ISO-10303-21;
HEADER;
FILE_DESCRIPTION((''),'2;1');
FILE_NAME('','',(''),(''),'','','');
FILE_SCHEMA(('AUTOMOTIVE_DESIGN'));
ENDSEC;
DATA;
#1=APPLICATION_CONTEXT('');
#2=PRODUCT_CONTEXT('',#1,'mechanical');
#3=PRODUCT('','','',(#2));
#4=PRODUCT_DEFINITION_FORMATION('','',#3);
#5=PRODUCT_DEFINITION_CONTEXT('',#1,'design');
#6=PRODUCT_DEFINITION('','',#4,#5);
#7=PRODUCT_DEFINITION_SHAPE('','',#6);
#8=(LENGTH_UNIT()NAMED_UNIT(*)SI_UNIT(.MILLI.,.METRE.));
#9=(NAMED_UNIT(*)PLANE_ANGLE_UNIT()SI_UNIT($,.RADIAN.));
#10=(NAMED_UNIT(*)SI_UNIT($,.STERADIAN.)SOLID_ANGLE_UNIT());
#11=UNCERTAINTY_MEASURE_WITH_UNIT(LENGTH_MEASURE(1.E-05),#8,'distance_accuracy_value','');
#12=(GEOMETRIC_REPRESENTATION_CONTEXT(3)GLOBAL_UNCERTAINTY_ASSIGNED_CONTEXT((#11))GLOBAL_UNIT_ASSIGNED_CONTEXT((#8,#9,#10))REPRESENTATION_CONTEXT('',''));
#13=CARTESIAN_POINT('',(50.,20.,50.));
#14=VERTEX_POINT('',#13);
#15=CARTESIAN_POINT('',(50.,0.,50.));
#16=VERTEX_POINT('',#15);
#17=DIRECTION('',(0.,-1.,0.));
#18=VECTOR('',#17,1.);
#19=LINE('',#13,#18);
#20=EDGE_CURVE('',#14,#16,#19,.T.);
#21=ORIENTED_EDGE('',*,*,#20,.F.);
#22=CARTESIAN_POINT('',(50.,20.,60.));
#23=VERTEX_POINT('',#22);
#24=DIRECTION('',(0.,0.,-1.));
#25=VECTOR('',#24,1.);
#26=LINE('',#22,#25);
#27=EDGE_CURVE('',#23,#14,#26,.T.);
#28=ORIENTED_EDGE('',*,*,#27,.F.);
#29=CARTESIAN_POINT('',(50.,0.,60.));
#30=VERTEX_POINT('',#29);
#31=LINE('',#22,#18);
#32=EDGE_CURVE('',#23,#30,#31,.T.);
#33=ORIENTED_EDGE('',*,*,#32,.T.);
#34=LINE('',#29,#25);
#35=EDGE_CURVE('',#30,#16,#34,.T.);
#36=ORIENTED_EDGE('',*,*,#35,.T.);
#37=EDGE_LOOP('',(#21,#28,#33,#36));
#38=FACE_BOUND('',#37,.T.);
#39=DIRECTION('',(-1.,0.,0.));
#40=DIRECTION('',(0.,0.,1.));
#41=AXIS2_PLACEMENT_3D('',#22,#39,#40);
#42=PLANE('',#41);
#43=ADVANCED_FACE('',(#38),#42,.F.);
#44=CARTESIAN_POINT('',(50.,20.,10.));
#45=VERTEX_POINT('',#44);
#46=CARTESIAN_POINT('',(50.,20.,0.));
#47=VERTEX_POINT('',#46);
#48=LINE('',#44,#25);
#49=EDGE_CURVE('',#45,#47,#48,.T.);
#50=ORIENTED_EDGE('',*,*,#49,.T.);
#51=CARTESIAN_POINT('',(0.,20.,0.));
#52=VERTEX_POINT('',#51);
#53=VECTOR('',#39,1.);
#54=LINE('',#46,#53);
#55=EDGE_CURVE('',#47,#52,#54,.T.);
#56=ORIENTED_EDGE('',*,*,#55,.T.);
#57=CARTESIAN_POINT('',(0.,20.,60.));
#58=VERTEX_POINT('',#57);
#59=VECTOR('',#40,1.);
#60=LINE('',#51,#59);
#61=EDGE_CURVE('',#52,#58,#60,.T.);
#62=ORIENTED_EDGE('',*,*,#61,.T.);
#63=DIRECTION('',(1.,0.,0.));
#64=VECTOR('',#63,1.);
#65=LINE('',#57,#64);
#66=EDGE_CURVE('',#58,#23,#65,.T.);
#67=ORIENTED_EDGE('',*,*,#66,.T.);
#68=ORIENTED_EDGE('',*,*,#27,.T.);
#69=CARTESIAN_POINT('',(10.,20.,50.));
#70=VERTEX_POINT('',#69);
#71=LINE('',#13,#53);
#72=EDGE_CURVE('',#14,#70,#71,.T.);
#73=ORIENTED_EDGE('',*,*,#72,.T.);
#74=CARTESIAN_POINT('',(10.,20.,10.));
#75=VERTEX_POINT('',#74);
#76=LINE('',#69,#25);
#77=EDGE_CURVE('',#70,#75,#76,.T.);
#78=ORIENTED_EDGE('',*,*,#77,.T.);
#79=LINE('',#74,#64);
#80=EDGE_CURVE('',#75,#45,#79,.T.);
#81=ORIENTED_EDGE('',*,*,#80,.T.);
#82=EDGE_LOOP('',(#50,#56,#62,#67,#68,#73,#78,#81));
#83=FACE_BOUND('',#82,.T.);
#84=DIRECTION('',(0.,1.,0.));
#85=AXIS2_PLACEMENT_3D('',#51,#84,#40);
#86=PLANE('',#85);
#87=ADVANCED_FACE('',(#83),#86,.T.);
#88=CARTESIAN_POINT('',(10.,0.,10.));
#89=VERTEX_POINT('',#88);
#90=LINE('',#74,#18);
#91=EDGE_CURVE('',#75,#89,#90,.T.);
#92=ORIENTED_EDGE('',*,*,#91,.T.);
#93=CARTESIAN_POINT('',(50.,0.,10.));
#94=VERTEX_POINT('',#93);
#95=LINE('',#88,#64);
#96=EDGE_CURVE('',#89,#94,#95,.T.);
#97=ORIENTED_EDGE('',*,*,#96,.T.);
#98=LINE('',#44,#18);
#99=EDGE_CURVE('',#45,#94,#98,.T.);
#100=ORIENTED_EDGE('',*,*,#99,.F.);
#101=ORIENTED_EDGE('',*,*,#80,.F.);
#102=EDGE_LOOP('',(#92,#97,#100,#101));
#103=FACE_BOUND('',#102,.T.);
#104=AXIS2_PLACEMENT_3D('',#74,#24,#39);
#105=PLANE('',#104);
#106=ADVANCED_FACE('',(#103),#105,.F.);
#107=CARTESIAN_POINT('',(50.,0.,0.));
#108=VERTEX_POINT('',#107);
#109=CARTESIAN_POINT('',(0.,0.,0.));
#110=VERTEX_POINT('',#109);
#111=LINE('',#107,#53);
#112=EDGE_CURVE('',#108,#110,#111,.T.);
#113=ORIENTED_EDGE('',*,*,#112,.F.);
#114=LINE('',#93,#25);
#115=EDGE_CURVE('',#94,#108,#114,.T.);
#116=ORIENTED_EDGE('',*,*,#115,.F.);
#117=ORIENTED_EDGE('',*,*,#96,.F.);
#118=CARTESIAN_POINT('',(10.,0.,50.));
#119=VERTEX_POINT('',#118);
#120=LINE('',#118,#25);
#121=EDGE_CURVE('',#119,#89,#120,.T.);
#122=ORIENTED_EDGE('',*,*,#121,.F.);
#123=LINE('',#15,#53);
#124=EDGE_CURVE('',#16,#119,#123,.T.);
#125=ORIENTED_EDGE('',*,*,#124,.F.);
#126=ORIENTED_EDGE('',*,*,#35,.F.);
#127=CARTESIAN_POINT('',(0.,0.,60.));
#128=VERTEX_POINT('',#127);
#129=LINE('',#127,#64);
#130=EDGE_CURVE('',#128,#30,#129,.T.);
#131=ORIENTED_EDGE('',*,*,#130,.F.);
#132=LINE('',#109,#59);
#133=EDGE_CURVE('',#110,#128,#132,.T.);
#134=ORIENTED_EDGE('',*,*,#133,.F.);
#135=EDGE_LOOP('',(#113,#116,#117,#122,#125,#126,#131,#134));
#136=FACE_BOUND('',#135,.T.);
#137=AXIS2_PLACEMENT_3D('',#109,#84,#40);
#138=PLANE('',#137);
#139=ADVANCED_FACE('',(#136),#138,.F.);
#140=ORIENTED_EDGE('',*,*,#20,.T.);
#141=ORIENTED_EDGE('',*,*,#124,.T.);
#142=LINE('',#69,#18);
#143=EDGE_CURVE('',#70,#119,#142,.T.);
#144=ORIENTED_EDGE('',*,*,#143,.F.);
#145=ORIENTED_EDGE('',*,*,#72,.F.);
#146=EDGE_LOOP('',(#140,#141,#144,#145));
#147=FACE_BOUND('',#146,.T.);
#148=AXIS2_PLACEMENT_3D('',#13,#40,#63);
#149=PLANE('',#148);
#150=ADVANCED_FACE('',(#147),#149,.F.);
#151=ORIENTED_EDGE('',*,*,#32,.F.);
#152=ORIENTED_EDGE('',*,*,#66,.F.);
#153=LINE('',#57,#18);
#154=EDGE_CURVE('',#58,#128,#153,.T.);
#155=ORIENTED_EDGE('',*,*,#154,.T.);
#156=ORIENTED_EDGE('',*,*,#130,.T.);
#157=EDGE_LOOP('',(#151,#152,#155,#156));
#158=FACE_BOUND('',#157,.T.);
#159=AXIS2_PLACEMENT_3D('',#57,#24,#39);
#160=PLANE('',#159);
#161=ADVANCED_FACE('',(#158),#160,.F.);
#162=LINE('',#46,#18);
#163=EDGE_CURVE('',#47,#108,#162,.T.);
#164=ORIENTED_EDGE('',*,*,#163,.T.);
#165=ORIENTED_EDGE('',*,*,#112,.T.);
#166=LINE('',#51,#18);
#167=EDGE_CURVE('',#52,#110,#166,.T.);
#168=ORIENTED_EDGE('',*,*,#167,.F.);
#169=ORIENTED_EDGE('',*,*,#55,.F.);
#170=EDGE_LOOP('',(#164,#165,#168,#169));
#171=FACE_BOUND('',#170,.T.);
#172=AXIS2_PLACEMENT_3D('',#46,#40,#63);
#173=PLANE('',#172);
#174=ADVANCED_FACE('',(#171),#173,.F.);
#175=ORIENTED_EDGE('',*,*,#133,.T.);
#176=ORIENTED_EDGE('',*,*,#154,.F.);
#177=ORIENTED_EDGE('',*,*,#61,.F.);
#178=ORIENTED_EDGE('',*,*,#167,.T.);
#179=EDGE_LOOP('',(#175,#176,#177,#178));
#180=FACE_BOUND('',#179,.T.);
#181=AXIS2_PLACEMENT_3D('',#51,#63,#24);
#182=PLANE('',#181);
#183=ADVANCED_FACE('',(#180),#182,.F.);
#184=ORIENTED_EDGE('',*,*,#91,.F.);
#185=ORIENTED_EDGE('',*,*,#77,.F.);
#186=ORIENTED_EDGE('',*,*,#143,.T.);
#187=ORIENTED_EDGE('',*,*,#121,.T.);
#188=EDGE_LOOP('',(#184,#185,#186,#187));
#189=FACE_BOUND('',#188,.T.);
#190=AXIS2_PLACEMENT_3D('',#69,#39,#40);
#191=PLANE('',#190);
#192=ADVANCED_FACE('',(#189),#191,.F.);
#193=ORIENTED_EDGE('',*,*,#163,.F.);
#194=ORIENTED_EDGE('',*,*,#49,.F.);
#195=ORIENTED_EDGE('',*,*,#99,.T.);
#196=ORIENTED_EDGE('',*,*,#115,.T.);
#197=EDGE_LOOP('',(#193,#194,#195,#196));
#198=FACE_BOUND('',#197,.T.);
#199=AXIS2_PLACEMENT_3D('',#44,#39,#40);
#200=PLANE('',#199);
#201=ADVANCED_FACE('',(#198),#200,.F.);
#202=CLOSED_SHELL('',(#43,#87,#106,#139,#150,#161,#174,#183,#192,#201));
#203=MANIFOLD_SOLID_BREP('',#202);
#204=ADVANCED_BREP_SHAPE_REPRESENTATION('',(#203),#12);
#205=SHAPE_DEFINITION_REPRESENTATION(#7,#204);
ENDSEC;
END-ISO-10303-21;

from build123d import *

# Parameters (mm, degrees)
BOSS_EXTRUDE1_DEPTH = 20


with BuildPart() as part:
    # Sketch1 → Boss-Extrude1 (new body)
    with BuildSketch(Plane(origin=(0, 0, 0), x_dir=(1, 0, 0), z_dir=(0, 1, 0))):
        Polygon((0, 0), (0, -60), (50, -60), (50, -50), (10, -50), (10, -10), (50, -10), (50, 0), align=None)
    extrude(amount=BOSS_EXTRUDE1_DEPTH)


solid = part.part
